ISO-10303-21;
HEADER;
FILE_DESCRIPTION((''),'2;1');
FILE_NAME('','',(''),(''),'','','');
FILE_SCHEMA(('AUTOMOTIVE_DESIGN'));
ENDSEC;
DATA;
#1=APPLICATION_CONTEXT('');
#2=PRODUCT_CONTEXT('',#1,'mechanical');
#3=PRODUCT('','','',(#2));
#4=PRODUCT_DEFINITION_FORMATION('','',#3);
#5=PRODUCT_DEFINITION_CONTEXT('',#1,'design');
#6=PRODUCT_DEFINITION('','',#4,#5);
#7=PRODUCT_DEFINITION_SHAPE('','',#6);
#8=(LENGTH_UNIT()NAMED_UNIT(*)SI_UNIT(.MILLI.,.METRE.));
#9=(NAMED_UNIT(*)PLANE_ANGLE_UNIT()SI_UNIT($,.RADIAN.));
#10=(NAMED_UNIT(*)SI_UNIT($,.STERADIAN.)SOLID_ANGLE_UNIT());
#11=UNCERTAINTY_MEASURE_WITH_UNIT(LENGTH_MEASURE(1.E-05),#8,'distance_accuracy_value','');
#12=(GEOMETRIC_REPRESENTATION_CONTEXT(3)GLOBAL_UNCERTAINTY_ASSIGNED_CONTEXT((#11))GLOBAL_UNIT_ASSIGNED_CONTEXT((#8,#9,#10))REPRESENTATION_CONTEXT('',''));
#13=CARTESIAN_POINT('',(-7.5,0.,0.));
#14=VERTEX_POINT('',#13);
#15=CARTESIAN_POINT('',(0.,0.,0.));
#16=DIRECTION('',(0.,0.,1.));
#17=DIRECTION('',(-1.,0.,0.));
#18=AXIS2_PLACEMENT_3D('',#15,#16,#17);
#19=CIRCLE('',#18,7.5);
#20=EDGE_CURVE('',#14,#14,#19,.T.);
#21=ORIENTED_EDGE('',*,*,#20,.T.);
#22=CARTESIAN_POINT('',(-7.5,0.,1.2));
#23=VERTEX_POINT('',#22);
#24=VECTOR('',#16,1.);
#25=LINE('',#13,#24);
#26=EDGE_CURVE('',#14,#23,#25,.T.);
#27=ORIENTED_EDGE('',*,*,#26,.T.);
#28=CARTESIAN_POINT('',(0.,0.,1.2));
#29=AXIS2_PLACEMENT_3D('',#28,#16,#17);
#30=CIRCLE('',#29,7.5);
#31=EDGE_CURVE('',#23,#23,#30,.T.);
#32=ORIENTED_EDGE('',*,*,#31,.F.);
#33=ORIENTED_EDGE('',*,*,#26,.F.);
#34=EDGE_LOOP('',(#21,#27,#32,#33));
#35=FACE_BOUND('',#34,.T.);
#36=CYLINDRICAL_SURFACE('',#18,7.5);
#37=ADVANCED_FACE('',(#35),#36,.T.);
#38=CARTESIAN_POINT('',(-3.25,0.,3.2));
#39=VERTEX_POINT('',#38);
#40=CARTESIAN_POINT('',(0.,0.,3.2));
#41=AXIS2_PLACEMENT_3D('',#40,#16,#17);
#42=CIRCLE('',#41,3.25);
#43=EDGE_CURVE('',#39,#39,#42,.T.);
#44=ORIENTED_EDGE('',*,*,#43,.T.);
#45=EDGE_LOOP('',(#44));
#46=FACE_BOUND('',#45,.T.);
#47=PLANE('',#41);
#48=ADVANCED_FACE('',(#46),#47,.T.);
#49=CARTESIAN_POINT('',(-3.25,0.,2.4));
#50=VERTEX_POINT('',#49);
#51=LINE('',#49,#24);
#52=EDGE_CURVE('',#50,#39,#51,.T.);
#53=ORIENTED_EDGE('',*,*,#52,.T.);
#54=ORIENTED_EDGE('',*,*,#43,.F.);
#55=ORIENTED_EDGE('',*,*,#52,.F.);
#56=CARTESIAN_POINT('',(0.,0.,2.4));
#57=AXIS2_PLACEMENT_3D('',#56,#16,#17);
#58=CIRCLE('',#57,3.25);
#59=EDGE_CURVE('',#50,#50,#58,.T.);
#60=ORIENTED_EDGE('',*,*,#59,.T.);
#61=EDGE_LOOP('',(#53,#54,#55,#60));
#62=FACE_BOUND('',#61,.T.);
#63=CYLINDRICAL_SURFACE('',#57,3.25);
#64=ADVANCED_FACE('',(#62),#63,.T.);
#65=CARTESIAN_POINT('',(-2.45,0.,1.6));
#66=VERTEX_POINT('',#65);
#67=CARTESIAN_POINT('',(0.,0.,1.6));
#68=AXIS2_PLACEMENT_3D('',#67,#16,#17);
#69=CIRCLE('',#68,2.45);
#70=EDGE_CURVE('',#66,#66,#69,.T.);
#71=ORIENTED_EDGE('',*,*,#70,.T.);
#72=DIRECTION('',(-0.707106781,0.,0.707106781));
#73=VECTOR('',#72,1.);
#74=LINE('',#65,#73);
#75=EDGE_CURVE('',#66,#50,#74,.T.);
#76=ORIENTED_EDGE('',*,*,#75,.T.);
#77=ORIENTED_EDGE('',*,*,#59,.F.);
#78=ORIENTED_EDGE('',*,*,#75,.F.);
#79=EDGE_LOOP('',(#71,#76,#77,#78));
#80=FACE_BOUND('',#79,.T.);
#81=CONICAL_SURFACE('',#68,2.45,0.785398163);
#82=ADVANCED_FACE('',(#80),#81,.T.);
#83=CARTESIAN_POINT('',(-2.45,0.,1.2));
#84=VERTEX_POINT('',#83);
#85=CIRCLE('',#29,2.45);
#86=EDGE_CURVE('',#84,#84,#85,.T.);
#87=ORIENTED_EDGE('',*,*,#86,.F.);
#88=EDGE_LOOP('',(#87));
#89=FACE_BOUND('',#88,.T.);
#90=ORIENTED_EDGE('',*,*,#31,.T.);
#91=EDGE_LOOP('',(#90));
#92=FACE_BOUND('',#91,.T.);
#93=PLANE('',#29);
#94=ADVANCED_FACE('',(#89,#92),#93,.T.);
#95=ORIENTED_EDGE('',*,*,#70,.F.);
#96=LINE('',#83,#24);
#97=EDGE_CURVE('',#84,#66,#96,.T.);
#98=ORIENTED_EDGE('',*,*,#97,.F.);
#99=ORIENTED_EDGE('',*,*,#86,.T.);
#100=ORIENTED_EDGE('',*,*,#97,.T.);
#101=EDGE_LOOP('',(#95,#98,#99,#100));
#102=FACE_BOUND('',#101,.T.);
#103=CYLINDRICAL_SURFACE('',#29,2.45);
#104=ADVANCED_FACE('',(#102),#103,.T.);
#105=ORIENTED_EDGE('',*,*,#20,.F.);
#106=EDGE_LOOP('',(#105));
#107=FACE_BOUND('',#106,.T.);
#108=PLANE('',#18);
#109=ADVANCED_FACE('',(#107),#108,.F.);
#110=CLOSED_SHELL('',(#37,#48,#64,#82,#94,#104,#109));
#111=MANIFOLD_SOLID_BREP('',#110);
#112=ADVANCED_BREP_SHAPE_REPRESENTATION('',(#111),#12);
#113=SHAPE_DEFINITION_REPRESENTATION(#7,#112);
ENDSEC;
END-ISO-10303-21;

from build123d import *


with BuildPart() as part:
    # Sketch → Revolution (revolve)
    with BuildSketch(Plane.XZ):
        Polygon((0, 0), (-7.5, 0), (-7.5, 1.2), (-2.45, 1.2), (-2.45, 1.6), (-3.25, 2.4), (-3.25, 3.2), (0, 3.2), align=None)
    revolve(axis=Axis((0, 0, 0), (0, 0, 1)))


solid = part.part
